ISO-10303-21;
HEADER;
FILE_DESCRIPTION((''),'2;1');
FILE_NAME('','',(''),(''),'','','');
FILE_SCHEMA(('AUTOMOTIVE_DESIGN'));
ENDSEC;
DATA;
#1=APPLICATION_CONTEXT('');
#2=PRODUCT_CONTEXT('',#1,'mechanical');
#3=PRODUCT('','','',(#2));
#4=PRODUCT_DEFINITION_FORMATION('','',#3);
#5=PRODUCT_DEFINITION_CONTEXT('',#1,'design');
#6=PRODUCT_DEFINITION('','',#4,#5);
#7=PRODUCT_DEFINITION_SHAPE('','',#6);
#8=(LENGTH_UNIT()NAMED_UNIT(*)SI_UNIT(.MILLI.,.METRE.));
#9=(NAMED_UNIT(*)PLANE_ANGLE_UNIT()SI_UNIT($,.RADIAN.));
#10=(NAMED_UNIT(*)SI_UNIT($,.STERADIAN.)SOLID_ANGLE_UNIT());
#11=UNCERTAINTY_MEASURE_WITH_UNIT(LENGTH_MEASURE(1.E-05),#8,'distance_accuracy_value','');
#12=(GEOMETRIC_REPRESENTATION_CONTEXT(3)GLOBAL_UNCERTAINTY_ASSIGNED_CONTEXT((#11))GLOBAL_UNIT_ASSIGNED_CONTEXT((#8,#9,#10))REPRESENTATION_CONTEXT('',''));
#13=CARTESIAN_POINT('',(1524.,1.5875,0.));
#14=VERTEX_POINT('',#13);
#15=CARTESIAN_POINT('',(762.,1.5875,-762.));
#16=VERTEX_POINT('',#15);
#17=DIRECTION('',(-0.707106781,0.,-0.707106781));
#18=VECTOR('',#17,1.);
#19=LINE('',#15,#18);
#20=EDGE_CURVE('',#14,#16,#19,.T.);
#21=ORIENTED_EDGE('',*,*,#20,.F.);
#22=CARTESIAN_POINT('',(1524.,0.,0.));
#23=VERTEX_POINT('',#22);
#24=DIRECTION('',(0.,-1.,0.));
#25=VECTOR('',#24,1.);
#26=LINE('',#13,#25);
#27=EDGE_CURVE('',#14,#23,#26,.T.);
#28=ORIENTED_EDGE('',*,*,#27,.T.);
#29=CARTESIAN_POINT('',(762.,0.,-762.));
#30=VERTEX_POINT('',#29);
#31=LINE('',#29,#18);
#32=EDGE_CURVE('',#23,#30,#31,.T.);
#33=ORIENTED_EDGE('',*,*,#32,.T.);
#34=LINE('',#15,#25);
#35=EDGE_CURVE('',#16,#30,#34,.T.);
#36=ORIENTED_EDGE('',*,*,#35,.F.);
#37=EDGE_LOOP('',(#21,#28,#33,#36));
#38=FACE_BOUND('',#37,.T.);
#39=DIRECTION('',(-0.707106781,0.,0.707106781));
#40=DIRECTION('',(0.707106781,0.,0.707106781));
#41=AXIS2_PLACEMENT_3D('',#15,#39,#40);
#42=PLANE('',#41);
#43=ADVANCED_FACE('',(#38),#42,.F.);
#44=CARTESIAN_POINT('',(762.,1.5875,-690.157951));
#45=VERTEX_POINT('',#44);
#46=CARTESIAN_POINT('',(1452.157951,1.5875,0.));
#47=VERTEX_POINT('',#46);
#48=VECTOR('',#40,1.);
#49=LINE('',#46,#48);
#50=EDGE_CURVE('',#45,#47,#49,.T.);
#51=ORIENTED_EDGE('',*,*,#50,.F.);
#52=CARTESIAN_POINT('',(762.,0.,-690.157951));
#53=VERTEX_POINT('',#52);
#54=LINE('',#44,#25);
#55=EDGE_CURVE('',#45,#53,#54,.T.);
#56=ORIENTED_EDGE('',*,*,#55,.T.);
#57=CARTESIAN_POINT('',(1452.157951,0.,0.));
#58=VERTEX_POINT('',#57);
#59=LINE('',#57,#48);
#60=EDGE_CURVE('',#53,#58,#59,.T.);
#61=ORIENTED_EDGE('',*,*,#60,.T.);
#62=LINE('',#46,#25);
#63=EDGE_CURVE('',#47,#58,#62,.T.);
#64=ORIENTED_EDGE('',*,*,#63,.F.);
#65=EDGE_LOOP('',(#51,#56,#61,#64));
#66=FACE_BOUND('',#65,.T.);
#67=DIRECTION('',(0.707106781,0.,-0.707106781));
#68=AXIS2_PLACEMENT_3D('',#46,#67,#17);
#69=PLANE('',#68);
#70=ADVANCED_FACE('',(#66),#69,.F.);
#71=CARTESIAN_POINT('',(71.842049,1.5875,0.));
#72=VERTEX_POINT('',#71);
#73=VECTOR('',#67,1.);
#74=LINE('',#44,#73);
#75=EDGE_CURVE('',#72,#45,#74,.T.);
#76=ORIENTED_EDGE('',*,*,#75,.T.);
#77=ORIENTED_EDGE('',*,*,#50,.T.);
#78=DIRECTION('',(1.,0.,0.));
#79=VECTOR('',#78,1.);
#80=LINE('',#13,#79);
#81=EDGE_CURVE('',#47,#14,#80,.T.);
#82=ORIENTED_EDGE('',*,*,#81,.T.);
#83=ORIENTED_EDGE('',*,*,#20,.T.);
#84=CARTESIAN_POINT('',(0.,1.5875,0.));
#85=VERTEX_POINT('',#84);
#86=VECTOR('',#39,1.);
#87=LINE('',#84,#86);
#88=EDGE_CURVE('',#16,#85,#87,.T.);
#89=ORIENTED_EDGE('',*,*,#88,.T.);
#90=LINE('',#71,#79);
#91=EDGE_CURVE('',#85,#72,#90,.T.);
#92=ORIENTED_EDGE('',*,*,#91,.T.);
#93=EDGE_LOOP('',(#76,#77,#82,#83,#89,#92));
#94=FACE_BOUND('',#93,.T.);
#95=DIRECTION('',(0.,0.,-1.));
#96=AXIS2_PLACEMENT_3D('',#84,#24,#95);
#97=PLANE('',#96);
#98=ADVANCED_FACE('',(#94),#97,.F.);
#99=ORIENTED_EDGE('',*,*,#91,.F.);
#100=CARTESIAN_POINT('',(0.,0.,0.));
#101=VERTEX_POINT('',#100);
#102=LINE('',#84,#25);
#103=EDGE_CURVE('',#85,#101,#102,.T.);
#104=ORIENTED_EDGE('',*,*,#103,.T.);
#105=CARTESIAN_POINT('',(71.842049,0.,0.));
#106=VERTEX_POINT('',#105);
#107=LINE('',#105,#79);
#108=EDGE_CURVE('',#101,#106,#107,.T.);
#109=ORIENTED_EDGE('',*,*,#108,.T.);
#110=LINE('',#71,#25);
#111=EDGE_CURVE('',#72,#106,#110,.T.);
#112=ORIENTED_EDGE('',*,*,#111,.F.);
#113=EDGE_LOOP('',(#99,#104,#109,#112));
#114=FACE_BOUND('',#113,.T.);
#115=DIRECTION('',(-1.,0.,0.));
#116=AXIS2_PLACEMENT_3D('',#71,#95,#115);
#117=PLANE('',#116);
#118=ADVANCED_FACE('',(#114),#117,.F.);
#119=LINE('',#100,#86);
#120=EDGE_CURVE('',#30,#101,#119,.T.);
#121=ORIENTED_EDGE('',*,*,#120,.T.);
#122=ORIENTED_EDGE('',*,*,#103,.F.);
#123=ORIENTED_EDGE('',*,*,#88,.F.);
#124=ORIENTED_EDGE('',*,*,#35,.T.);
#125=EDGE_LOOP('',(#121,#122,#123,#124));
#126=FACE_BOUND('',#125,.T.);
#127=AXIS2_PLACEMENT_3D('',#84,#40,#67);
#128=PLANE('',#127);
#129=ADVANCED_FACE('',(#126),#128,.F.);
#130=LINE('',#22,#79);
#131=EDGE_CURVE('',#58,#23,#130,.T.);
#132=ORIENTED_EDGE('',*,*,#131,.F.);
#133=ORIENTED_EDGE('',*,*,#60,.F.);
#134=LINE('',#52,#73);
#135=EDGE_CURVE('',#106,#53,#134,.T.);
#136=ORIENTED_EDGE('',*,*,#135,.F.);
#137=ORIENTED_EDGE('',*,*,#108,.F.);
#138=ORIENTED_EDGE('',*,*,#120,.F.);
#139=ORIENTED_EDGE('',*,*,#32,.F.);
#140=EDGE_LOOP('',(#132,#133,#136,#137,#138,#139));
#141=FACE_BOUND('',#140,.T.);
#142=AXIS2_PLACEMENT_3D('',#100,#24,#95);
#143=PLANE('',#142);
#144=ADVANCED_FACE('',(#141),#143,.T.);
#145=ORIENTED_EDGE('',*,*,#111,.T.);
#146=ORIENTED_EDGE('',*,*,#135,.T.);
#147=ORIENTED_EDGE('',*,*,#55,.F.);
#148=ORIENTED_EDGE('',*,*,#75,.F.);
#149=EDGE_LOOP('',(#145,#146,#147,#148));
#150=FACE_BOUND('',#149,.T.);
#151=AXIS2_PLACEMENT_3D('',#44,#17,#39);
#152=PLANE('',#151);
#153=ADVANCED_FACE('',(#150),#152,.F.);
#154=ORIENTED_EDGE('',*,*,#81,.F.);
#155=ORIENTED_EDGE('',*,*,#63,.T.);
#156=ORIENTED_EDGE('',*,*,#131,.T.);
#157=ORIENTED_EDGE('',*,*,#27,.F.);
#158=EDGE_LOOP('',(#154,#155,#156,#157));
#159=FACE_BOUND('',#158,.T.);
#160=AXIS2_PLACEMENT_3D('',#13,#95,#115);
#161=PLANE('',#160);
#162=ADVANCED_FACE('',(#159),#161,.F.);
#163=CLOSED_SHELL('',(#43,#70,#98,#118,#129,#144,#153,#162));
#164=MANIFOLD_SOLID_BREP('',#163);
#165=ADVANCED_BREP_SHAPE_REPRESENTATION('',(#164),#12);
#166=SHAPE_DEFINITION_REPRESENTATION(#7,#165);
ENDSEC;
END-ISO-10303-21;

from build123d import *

# Parameters (mm, degrees)
BOSS_EXTRUDE1_DEPTH = 1.5875


with BuildPart() as part:
    # Sketch1 → Boss-Extrude1 (new body)
    with BuildSketch(Plane(origin=(0, 0, 0), x_dir=(1, 0, 0), z_dir=(0, 1, 0))):
        Polygon((0, 0), (762, 762), (1524, 0), (1452.157951031, 0), (762, 690.157951031), (71.842048969, 0), align=None)
    extrude(amount=BOSS_EXTRUDE1_DEPTH)


solid = part.part
